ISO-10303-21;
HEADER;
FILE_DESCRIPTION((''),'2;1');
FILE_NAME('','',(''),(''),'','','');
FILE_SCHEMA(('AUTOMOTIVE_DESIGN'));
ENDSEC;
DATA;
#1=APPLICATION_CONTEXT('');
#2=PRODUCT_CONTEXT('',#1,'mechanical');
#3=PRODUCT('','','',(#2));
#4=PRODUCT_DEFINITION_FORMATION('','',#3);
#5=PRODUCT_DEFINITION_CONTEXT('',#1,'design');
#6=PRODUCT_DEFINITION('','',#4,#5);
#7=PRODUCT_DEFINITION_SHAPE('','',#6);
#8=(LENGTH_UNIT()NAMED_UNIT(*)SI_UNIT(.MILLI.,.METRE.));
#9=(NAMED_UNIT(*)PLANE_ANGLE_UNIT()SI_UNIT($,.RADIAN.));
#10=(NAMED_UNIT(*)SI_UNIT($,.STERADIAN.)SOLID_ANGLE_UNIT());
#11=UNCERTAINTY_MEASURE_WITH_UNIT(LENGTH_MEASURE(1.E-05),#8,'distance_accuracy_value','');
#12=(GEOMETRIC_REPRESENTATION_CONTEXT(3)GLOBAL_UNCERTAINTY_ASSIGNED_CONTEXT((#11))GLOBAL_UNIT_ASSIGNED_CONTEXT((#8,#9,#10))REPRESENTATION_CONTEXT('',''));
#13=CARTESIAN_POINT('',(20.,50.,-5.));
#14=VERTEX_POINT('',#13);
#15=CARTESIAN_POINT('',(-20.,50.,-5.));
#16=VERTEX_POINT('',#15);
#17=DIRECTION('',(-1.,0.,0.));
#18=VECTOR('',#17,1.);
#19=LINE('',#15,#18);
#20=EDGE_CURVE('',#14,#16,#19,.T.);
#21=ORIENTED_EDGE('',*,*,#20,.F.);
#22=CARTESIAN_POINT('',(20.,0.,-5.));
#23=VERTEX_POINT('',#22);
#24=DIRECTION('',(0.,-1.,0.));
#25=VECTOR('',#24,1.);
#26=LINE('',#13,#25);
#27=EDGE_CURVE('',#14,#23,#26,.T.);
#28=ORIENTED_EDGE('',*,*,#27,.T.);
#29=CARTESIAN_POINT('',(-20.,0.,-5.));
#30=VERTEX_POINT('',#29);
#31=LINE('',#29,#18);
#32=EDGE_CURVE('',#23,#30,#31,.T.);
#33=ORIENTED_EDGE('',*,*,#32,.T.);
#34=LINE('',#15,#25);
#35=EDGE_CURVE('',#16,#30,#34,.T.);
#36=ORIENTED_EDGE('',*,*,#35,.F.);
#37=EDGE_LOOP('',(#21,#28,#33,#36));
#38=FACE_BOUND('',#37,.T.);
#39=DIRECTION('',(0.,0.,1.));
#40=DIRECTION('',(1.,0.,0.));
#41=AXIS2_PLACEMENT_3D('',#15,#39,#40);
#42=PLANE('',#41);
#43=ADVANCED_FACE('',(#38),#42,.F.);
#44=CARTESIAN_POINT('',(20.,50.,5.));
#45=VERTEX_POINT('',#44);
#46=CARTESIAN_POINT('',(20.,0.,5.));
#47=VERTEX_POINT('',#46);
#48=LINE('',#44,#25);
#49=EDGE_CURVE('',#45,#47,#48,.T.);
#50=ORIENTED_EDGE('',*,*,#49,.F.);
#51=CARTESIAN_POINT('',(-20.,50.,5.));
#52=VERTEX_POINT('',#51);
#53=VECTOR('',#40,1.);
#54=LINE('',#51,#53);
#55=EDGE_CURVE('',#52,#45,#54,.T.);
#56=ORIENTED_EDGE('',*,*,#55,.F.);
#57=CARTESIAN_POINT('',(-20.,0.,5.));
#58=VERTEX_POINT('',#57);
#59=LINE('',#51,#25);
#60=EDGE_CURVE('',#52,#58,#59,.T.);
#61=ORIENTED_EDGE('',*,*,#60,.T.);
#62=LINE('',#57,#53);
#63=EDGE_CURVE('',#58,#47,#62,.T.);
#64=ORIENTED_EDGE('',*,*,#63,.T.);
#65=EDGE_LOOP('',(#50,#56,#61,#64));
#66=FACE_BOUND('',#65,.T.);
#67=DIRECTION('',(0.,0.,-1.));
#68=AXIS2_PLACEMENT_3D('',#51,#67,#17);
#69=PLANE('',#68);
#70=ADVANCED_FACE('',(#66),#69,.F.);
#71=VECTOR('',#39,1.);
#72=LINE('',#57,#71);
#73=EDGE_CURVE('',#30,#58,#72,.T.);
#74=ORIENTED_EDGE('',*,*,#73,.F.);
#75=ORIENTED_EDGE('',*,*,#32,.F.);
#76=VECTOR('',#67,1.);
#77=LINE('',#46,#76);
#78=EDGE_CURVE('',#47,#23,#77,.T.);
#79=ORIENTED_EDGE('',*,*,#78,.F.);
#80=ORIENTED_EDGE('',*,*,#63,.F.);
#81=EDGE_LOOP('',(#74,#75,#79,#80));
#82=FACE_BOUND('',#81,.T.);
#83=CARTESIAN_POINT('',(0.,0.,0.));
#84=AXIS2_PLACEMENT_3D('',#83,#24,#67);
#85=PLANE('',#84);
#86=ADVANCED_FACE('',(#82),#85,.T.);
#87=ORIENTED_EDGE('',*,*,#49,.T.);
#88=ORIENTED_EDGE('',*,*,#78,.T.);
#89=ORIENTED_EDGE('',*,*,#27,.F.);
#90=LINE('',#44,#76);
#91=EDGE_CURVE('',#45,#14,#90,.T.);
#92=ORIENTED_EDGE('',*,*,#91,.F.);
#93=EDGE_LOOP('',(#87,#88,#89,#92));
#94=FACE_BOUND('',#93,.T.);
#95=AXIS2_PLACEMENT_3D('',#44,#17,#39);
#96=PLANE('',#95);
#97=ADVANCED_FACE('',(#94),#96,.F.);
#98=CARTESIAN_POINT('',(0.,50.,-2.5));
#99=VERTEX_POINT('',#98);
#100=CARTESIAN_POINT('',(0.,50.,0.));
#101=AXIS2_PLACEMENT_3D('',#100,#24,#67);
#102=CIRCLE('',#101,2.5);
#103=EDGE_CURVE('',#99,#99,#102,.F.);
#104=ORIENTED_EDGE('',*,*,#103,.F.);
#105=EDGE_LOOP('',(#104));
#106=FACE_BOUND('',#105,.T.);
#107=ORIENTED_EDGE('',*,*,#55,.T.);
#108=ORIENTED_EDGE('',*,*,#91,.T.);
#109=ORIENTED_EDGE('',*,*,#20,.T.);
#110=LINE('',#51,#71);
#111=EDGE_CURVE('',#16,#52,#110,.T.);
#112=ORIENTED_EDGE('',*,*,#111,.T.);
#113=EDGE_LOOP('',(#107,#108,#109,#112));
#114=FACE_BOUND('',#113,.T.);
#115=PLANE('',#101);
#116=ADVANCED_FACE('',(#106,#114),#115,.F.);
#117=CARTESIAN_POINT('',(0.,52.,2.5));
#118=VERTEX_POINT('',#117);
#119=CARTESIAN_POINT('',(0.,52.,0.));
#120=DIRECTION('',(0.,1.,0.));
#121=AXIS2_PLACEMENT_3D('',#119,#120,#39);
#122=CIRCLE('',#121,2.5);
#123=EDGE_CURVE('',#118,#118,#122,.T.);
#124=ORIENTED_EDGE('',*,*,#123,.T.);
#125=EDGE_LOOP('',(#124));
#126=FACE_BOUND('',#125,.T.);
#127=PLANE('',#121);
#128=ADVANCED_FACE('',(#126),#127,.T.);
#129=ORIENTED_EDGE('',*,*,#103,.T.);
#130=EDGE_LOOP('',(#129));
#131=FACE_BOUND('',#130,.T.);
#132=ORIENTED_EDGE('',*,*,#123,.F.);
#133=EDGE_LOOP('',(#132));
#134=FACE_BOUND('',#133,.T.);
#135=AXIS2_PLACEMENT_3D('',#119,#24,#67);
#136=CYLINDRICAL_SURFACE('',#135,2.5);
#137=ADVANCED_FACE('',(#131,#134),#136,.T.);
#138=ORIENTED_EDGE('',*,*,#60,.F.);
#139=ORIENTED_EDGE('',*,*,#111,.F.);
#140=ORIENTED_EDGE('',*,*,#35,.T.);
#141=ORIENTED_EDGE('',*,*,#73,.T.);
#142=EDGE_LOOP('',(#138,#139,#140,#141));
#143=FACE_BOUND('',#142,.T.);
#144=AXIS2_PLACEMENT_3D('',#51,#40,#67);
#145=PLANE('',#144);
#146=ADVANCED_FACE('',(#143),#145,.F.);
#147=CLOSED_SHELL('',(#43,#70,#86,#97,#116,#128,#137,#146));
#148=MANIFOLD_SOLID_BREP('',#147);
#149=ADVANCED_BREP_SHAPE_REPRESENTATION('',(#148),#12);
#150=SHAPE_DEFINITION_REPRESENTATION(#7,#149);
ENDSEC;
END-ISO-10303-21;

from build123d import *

# Parameters (mm, degrees)
SKETCH2_W           = 40
SKETCH2_H           = 10
BOSS_EXTRUDE1_DEPTH = 50
SKETCH3_R           = 2.5
BOSS_EXTRUDE2_DEPTH = 2


with BuildPart() as part:
    # Sketch2 → Boss-Extrude1 (new body)
    with BuildSketch(Plane(origin=(0, 0, 0), x_dir=(1, 0, 0), z_dir=(0, 1, 0))):
        Rectangle(SKETCH2_W, SKETCH2_H)
    extrude(amount=BOSS_EXTRUDE1_DEPTH)

    # Sketch3 → Boss-Extrude2 (add)
    with BuildSketch(Plane(origin=(0, 50, 0), x_dir=(1, 0, 0), z_dir=(0, 1, 0))):
        Circle(SKETCH3_R)
    extrude(amount=BOSS_EXTRUDE2_DEPTH)


solid = part.part
